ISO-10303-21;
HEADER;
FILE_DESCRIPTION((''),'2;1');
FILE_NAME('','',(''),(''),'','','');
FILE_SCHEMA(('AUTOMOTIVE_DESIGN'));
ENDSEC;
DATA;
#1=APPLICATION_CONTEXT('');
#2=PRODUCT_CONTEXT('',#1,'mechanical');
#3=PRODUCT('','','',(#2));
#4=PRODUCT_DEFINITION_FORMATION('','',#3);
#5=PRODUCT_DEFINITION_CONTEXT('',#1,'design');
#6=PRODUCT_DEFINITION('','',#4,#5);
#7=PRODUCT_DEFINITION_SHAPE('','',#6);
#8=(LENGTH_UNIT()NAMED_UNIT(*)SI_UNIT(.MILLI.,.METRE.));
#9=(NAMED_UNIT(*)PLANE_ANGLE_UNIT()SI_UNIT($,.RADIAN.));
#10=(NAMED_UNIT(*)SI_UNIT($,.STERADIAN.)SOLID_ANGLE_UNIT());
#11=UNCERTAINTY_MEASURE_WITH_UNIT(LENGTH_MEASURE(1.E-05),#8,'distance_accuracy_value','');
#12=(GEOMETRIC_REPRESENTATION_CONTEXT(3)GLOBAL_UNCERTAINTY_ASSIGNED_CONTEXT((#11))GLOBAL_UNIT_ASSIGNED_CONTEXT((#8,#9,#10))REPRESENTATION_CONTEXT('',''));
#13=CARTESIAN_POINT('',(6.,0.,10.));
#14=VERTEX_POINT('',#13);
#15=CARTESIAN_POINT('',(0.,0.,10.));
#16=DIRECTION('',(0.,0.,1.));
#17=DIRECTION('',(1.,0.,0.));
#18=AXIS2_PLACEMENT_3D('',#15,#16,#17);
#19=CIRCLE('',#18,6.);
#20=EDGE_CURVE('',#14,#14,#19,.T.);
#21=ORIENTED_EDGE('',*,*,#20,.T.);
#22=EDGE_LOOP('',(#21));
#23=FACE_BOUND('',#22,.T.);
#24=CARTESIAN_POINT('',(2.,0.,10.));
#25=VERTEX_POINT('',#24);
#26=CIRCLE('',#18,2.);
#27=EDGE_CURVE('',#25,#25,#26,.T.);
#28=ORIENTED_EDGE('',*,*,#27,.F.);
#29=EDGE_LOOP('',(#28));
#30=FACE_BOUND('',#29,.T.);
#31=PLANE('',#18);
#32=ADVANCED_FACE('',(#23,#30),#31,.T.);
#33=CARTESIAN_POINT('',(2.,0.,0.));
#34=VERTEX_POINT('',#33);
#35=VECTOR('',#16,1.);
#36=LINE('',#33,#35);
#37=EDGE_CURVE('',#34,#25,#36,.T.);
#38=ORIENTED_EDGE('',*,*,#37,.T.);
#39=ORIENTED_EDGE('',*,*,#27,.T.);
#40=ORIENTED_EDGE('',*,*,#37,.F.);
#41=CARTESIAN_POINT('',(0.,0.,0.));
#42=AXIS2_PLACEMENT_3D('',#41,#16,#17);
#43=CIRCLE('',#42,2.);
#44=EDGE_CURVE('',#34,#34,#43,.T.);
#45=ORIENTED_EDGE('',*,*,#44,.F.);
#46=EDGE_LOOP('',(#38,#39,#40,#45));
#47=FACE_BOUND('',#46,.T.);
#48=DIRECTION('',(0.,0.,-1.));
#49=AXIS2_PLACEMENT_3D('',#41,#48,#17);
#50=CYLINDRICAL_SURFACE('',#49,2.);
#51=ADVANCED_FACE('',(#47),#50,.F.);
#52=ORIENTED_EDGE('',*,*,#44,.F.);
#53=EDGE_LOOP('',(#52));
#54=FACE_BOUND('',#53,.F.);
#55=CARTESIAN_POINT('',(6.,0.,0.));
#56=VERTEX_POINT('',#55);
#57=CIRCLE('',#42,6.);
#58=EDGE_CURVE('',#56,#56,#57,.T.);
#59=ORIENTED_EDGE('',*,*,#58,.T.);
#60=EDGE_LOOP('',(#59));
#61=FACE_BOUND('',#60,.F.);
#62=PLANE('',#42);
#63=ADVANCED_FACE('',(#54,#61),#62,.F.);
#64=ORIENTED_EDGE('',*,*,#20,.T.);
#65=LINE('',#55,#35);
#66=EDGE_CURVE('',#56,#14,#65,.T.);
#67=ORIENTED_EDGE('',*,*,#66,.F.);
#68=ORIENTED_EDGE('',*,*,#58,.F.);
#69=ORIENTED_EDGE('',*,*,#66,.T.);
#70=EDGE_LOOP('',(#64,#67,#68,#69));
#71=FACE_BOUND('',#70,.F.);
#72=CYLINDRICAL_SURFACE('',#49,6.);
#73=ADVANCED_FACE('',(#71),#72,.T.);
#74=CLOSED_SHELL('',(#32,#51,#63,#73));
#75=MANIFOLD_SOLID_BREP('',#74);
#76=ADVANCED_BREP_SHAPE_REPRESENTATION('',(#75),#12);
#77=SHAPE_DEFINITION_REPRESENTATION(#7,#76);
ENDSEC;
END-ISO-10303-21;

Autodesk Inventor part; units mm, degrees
ref_plane "YZ Plane" through (0, 0, 0) normal (1, 0, 0) x (0, 1, 0)
ref_plane "XZ Plane" through (0, 0, 0) normal (0, 1, 0) x (-1, 0, 0)
ref_plane "XY Plane" through (0, 0, 0) normal (0, 0, 1) x (1, 0, 0)
sketch "Esquisse1" plane through (0, 0, 0) normal (0, 0, 1) x (1, 0, 0)
  circle A0 centre (0, 0) radius 2
  line L0 (0, 0) -> (0, 6) construction
  circle A1 centre (0, 0) radius 6
  dimension "d0" = 4
  dimension "d1" = 6
extrude "Extrusion1" add sketch "Esquisse1" along normal blind 10
properties part number "joint3circle"
